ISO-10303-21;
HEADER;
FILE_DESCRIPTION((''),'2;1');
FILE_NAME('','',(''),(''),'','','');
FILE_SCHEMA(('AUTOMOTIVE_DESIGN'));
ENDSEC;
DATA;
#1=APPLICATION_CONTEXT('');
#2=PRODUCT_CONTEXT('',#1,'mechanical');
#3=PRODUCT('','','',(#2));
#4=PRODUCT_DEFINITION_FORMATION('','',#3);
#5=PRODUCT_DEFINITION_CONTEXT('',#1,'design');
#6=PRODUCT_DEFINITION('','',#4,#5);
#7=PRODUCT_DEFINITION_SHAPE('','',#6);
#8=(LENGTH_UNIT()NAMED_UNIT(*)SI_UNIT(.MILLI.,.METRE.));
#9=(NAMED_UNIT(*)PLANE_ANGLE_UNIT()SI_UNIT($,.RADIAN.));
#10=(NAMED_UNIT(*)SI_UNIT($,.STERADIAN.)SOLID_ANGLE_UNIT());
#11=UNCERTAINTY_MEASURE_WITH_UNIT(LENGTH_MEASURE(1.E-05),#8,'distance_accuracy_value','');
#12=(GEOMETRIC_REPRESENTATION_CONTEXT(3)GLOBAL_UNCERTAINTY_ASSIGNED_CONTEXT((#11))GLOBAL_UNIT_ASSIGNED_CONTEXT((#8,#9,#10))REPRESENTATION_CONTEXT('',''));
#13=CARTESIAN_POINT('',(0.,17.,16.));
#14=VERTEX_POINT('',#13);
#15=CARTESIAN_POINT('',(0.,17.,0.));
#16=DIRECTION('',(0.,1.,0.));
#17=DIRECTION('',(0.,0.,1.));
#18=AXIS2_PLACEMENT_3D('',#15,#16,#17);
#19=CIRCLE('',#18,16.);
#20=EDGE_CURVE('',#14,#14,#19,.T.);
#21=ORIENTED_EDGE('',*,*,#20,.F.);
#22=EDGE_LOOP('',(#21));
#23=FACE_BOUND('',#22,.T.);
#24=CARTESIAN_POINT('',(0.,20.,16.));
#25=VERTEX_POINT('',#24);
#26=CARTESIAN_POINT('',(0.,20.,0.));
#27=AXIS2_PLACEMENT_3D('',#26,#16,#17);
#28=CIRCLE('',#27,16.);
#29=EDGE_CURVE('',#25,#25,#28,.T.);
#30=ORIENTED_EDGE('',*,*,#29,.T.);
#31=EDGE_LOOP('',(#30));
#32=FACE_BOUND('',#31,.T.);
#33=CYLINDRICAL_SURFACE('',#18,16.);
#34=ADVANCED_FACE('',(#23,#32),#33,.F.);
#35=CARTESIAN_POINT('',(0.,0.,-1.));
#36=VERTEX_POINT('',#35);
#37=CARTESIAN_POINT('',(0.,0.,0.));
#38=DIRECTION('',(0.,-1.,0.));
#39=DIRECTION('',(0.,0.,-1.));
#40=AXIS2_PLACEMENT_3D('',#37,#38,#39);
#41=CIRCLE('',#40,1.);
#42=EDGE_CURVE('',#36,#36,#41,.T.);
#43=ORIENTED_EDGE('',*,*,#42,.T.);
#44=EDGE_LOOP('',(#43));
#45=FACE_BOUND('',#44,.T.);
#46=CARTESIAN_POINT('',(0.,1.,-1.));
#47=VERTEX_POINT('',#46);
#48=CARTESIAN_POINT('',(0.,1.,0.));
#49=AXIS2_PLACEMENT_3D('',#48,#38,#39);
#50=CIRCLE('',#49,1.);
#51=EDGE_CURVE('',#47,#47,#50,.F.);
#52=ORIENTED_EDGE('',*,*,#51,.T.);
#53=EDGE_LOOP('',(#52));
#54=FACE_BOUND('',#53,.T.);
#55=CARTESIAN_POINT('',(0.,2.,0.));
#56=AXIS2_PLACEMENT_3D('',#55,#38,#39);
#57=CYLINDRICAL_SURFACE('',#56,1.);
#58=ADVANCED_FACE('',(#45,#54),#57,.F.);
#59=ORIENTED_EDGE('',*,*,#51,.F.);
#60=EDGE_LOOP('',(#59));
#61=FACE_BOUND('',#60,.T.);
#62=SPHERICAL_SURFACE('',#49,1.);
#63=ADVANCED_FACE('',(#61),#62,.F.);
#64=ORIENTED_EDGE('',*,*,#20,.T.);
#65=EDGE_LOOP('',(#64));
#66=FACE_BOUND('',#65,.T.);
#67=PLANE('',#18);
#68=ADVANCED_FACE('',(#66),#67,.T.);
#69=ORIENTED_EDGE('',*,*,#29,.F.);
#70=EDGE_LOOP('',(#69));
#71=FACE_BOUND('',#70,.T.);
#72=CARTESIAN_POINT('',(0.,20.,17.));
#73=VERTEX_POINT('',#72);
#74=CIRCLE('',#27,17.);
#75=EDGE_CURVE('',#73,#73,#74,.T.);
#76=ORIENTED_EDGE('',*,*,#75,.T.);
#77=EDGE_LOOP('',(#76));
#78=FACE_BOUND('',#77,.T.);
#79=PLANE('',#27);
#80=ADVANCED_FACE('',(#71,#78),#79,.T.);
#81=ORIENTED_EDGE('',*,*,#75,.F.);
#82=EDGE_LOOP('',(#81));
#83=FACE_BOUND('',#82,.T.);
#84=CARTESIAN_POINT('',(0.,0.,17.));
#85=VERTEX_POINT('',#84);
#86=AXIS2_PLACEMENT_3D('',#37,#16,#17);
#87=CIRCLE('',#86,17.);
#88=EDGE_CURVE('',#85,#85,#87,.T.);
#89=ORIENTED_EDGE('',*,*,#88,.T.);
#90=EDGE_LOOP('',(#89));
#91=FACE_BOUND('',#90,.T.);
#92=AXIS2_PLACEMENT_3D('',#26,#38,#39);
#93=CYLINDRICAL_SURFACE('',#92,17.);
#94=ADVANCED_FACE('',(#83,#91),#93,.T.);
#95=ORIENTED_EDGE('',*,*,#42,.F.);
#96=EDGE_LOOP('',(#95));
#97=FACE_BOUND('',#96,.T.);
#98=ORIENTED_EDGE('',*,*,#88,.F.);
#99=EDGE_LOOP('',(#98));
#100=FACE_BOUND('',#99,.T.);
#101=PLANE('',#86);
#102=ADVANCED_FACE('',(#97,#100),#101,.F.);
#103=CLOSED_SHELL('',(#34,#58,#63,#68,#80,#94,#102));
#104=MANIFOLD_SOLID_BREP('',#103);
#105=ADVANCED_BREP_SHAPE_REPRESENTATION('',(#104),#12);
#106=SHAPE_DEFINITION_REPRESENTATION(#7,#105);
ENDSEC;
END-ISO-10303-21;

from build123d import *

# Parameters (mm, degrees)
SKETCH1_R           = 17
BOSS_EXTRUDE1_DEPTH = 20
SKETCH2_R           = 16
CUT_EXTRUDE1_DEPTH  = 3
SKETCH3_R           = 1
CUT_EXTRUDE2_DEPTH  = 2
FILLET1_R           = 1


with BuildPart() as part:
    # Sketch1 → Boss-Extrude1 (new body)
    with BuildSketch(Plane(origin=(0, 0, 0), x_dir=(1, 0, 0), z_dir=(0, 1, 0))):
        Circle(SKETCH1_R)
    extrude(amount=BOSS_EXTRUDE1_DEPTH)

    # Sketch2 → Cut-Extrude1 (cut)
    with BuildSketch(Plane(origin=(0, 20, 0), x_dir=(1, 0, 0), z_dir=(0, 1, 0))):
        Circle(SKETCH2_R)
    extrude(amount=-CUT_EXTRUDE1_DEPTH, mode=Mode.SUBTRACT)

    # Sketch3 → Cut-Extrude2 (cut)
    with BuildSketch(Plane.XZ):
        Circle(SKETCH3_R)
    extrude(amount=-CUT_EXTRUDE2_DEPTH, mode=Mode.SUBTRACT)

    # Fillet1
    fillet1_edges = [part.edges().sort_by_distance(p)[0] for p in [
        (-1, 2, 0),
    ]]
    fillet(fillet1_edges, radius=FILLET1_R)


solid = part.part
